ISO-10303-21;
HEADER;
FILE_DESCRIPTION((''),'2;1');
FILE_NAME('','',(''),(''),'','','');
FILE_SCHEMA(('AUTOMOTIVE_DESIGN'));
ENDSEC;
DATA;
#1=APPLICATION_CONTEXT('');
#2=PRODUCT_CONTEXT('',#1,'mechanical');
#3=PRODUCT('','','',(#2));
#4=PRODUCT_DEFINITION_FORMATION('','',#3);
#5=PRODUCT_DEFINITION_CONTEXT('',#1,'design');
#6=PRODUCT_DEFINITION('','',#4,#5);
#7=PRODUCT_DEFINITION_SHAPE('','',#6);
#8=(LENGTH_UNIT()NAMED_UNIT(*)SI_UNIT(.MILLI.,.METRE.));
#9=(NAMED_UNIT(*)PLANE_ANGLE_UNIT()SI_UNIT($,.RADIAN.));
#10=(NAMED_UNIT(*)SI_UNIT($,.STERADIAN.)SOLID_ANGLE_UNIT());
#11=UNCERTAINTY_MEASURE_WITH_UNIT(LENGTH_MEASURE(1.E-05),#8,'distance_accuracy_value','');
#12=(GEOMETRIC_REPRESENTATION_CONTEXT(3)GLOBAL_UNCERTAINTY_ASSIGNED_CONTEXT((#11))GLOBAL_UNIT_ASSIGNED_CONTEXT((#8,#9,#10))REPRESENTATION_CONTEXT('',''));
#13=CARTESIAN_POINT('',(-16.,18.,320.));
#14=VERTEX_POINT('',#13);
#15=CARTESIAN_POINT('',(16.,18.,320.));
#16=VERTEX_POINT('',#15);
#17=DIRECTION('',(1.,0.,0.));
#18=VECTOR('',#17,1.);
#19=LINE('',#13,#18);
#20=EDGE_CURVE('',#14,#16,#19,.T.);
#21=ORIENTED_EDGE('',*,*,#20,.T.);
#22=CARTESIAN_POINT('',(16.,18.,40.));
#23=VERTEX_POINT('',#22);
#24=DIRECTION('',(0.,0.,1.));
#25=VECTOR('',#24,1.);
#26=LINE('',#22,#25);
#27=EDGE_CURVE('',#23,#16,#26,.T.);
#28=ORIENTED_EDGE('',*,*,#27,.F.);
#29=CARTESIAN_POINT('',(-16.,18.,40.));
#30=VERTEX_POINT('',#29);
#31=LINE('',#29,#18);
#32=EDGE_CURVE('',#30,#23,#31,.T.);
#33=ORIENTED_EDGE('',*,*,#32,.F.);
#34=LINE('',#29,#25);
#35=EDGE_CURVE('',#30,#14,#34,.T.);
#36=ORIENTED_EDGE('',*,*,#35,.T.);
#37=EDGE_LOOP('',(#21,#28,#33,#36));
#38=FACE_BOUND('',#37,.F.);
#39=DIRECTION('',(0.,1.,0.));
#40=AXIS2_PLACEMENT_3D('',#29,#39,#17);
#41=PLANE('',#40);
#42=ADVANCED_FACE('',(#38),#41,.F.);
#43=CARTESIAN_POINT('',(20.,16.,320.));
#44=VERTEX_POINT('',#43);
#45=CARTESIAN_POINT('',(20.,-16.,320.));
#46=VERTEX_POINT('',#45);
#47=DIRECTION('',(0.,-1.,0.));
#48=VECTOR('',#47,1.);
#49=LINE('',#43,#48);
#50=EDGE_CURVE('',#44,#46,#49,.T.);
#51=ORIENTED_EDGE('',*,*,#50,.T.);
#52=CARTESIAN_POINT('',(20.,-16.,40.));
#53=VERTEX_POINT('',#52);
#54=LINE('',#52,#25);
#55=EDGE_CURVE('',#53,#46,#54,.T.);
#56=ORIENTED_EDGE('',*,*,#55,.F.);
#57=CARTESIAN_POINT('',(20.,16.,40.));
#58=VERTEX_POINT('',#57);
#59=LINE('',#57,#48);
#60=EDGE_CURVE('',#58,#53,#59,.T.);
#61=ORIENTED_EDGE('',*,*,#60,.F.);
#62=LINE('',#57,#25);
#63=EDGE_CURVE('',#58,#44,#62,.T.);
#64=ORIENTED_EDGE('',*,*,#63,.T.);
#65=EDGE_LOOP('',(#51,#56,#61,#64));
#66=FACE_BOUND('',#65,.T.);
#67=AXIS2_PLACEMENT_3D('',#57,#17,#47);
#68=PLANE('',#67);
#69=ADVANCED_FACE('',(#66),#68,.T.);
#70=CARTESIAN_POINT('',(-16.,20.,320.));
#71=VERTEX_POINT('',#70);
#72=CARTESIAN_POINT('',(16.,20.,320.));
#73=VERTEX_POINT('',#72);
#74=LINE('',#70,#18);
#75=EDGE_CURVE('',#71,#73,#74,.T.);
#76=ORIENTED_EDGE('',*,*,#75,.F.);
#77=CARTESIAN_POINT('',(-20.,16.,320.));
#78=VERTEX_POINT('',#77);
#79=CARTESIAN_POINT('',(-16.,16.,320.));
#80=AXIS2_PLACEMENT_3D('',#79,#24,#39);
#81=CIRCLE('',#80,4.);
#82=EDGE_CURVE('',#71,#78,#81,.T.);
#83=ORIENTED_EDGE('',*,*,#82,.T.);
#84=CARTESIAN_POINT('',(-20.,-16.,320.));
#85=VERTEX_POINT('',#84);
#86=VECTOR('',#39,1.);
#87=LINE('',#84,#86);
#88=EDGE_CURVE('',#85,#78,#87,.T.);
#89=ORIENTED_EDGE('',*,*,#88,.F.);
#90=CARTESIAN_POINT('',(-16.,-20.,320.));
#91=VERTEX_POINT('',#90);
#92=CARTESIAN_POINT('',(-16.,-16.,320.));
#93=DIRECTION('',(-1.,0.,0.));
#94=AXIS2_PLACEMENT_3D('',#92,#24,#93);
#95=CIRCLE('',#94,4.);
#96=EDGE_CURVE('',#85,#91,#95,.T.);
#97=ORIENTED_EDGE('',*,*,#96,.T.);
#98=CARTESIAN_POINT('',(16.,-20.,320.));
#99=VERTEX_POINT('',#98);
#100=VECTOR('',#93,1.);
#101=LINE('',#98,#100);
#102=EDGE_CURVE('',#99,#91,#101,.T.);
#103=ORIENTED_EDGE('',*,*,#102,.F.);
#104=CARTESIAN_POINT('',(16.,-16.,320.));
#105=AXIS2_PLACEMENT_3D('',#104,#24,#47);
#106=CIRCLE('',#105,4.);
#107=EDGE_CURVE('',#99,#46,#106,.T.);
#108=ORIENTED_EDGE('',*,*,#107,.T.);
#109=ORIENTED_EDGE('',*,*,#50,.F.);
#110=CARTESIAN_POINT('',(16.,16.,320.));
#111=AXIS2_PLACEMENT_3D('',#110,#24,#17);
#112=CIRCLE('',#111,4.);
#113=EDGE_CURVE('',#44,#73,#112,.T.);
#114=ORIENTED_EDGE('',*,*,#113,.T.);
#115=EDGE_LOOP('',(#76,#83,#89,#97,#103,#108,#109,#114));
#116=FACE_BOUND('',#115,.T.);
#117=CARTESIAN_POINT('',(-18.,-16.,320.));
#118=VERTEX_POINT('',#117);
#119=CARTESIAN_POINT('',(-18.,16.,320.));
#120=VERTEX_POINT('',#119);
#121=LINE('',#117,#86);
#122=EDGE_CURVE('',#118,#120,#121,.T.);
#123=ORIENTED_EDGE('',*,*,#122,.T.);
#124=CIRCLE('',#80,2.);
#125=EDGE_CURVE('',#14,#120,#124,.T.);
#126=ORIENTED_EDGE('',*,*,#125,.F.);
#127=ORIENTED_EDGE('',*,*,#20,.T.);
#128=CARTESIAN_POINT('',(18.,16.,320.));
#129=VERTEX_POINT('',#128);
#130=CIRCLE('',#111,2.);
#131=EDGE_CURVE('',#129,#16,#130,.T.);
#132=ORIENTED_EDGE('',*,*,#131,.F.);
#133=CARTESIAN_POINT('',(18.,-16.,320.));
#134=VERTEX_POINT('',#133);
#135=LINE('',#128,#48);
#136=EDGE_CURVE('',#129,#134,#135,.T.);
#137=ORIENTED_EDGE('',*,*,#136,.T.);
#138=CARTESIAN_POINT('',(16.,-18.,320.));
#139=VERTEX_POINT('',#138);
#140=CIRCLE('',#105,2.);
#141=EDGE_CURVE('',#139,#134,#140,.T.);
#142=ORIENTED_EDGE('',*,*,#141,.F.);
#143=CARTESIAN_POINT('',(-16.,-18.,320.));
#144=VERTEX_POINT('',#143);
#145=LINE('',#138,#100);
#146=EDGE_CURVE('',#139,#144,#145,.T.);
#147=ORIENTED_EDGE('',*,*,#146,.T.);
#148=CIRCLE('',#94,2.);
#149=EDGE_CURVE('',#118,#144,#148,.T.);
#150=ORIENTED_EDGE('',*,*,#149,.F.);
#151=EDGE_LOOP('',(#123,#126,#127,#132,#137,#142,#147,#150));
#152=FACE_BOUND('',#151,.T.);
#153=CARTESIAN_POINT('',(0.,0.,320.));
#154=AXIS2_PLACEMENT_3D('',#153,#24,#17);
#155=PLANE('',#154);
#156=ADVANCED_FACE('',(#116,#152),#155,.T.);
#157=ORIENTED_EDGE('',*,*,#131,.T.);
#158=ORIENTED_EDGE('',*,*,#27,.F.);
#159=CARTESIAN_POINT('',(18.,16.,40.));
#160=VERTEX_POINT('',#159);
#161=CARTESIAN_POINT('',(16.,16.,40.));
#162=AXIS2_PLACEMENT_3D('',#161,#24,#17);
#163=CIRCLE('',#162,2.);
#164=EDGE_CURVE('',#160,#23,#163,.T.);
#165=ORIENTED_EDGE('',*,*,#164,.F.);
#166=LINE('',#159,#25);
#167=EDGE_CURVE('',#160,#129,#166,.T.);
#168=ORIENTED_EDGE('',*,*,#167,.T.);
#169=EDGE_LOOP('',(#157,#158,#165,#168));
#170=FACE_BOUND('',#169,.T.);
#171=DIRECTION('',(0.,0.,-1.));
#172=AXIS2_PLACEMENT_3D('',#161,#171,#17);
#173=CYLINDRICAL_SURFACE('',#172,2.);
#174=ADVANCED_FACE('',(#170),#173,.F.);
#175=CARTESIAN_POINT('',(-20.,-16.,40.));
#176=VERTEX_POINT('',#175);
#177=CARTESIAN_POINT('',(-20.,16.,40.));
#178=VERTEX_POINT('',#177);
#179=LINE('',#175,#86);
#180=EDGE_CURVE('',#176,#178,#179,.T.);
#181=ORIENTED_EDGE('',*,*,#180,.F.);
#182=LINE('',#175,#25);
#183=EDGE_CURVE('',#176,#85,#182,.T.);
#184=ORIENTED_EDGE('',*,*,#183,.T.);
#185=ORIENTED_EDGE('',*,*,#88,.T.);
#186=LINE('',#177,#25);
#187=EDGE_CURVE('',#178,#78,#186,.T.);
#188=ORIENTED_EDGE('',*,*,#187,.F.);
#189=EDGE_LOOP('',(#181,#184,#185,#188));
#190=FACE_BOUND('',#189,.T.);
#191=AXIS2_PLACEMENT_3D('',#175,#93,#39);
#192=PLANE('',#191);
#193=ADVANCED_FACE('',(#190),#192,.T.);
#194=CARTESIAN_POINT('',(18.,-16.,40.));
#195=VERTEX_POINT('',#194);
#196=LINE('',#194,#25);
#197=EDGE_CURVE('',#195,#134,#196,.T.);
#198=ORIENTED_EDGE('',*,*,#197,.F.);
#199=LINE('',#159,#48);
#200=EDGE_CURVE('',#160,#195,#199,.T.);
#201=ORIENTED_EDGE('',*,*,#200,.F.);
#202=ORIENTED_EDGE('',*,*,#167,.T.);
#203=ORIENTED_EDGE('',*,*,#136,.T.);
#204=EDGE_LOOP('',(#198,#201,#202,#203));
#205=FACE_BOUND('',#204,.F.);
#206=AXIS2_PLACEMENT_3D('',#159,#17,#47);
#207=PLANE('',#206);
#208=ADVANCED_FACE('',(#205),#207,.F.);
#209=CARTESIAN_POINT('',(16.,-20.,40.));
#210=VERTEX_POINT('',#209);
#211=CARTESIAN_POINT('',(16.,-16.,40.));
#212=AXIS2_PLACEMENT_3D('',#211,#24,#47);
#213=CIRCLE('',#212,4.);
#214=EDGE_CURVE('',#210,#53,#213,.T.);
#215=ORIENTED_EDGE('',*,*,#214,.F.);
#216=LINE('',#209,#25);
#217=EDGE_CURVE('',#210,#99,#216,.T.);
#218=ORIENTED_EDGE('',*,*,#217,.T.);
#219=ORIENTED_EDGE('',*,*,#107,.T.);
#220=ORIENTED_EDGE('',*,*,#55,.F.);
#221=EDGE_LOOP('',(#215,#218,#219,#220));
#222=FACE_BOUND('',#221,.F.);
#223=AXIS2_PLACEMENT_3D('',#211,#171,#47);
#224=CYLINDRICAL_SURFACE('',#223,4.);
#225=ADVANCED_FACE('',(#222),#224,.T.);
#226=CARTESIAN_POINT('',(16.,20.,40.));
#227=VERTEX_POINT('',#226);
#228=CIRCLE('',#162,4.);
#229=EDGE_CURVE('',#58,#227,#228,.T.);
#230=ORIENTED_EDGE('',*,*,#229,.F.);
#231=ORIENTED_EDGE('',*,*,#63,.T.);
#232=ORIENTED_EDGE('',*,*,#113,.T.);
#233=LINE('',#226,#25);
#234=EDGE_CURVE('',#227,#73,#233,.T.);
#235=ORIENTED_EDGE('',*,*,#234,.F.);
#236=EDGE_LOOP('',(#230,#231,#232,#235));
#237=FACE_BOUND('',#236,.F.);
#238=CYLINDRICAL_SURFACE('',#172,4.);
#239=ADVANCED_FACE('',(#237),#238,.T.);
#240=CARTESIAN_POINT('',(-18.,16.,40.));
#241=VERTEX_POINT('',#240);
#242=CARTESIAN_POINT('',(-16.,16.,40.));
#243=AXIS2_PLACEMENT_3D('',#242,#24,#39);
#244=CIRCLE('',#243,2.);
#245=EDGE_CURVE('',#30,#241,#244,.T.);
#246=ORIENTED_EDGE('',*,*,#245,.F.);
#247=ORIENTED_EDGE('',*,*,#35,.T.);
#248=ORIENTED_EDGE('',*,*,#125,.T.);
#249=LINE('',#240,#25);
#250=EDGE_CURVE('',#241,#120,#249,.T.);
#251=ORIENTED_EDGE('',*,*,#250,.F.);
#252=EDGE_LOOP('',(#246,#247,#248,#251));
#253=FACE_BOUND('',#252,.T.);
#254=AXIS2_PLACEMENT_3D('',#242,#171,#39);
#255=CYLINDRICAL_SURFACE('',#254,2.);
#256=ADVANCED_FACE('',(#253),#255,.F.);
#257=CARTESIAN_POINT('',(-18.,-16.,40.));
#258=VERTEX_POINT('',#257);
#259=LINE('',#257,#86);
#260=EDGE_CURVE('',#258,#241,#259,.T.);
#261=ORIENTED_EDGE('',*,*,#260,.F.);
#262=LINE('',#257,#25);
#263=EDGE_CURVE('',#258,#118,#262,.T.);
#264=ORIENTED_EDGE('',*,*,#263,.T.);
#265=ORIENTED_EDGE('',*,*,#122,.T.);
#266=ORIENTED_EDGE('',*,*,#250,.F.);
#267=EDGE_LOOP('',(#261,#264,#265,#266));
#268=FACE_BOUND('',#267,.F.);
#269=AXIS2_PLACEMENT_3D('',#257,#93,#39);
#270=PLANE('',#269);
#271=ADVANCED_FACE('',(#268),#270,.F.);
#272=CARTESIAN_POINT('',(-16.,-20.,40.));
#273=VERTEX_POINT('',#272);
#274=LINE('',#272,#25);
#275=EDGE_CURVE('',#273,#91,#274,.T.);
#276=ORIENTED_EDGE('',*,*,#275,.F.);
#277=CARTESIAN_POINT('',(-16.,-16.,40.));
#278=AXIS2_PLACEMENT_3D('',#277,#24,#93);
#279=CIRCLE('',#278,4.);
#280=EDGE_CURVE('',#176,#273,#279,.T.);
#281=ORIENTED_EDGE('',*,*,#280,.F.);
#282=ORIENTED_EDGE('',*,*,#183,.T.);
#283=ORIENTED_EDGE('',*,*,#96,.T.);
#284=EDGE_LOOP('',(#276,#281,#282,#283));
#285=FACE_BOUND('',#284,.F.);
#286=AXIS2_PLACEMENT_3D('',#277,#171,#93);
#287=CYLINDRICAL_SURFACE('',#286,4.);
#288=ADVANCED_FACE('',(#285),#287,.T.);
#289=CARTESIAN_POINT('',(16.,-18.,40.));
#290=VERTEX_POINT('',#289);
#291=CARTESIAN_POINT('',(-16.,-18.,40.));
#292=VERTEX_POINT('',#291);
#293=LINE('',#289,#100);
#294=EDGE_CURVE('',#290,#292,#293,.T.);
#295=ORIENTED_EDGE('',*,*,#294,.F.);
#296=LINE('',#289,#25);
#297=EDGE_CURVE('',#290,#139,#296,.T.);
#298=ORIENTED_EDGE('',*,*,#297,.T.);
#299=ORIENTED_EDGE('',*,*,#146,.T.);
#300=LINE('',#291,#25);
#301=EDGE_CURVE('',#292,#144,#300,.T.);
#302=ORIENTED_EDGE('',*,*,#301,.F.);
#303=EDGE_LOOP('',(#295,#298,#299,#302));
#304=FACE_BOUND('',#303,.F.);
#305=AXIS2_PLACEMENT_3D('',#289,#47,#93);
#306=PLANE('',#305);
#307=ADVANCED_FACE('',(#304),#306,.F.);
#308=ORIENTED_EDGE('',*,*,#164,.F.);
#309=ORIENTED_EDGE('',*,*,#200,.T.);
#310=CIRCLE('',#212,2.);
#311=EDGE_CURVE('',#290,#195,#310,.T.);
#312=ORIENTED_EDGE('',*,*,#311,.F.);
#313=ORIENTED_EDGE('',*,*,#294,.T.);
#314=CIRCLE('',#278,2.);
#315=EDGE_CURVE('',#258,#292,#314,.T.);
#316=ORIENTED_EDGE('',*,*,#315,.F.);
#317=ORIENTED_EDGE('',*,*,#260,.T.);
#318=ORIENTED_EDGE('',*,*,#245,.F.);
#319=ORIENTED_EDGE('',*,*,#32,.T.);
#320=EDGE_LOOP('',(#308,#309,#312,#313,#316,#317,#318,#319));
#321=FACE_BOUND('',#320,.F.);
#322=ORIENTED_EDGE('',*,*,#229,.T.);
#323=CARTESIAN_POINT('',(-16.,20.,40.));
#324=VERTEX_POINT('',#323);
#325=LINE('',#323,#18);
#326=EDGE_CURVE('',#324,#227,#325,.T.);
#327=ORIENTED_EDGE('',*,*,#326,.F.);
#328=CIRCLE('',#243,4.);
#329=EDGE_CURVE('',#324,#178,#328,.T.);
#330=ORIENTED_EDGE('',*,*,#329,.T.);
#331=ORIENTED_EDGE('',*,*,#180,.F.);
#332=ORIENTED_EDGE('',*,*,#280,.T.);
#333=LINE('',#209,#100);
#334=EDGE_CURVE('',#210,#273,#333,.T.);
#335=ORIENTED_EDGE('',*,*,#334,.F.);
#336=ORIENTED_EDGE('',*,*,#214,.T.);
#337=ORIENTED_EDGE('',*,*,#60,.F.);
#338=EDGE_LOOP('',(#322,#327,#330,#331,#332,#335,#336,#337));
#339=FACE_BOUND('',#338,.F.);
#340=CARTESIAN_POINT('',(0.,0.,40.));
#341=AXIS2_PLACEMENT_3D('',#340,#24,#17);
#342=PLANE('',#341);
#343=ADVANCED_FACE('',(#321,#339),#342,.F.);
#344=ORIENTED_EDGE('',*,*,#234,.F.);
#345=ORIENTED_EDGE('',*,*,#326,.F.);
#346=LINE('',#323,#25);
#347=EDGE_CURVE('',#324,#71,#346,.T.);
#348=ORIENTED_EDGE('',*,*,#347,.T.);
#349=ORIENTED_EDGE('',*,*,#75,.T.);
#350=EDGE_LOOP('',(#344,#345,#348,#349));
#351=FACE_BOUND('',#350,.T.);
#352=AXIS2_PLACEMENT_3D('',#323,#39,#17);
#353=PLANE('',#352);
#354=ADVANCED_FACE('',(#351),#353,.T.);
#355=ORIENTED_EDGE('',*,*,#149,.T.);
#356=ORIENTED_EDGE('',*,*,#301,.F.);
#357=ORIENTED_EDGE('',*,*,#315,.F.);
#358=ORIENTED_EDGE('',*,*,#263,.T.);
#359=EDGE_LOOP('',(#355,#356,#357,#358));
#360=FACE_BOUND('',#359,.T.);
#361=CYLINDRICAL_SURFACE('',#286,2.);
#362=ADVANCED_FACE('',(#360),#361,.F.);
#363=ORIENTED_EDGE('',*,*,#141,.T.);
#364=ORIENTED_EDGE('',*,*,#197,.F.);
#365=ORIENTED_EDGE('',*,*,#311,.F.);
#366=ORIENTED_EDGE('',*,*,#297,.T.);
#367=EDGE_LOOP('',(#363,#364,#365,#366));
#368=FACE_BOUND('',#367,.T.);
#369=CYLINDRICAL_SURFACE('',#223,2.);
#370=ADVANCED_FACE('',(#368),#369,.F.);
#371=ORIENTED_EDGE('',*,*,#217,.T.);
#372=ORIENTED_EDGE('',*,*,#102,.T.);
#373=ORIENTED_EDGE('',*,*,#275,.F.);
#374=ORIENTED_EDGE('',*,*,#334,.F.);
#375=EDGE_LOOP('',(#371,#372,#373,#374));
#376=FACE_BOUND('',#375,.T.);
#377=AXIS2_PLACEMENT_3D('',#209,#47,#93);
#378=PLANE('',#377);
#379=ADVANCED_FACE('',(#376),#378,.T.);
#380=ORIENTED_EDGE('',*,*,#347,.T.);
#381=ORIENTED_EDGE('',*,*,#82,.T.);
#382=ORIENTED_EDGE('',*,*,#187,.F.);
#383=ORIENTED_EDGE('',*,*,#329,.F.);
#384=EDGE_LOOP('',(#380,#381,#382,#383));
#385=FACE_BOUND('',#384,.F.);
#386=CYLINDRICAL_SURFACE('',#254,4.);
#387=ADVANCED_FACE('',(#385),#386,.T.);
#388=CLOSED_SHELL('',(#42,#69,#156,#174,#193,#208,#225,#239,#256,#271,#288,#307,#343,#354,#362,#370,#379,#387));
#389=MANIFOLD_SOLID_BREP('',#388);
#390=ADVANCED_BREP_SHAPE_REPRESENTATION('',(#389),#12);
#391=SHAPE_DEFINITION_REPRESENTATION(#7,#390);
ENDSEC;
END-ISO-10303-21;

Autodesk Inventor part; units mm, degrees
ref_plane "YZ Plane" through (0, 0, 0) normal (1, 0, 0) x (0, 1, 0)
ref_plane "Start Plane" through (0, 0, 40) normal (0, 0, 1) x (1, 0, 0)
ref_plane "End Plane" through (0, 0, 320) normal (0, 0, 1) x (1, 0, 0)
sketch "Sketch" plane through (0, 0, 0) normal (0, 0, 1) x (1, 0, 0)
  line L0 (-20, -16) -> (-20, 16)
  line L1 (-16, 20) -> (16, 20)
  line L2 (20, 16) -> (20, -16)
  line L3 (16, -20) -> (-16, -20)
  arc A0 (-20, -16) -> (-16, -20) centre (-16, -16) ccw
  arc A1 (20, 16) -> (16, 20) centre (16, 16) ccw
  arc A2 (-16, 20) -> (-20, 16) centre (-16, 16) ccw
  arc A3 (16, -20) -> (20, -16) centre (16, -16) ccw
  arc A4 (-16, 18) -> (-18, 16) centre (-16, 16) ccw
  line L4 (-16, 18) -> (16, 18)
  arc A5 (18, 16) -> (16, 18) centre (16, 16) ccw
  line L5 (18, 16) -> (18, -16)
  arc A6 (16, -18) -> (18, -16) centre (16, -16) ccw
  line L6 (16, -18) -> (-16, -18)
  arc A7 (-18, -16) -> (-16, -18) centre (-16, -16) ccw
  line L7 (-18, -16) -> (-18, 16)
  line L8 (0, 29.1598) -> (0, -29.1598) construction
  line L9 (-29.1598, 0) -> (29.1598, 0) construction
  dimension "d7" = 4
  dimension "d9" = 40
  dimension "d11" = 40
  dimension "d12" = 2
  dimension "d15" = 20
  dimension "d16" = 20
extrude "Body" add sketch "Sketch" along normal up to surface (280 mm away) from surface at 40
sketch "Sketch3" plane through (0, 0, 0) normal (0, 0, 1) x (1, 0, 0)
  line L0 (0, 0) -> (10, 0)
ref_plane "Work Plane3" through (0, 0, 0) normal (0, -1, 0) x (1, 0, 0)
sketch "Sketch4" plane through (0, 0, 0) normal (0, -1, 0) x (1, 0, 0)
  line L0 (-2, 40) -> (12, 40) projected
  line L1 (-2, 320) -> (12, 320) projected
  dimension "d18" = 280
equation "\"d7\" = G_IR"
equation "\"d9\" = G_W"
equation "\"d11\" = G_H"
equation "\"d12\" = G_T"
equation "\"d15\" = 0.5 * d9"
equation "\"d16\" = 0.5 * d11"
equation "\"d3\" = G_L"
equation "\"G_W\" = 40"
equation "\"G_H\" = 40"
equation "\"G_T\" = 2"
equation "\"G_IR\" = 4"
equation "\"G_L\" = d18"
properties part number "ISO 10799-2 - 40x40x2 - 280" material "Steel, Mild"
